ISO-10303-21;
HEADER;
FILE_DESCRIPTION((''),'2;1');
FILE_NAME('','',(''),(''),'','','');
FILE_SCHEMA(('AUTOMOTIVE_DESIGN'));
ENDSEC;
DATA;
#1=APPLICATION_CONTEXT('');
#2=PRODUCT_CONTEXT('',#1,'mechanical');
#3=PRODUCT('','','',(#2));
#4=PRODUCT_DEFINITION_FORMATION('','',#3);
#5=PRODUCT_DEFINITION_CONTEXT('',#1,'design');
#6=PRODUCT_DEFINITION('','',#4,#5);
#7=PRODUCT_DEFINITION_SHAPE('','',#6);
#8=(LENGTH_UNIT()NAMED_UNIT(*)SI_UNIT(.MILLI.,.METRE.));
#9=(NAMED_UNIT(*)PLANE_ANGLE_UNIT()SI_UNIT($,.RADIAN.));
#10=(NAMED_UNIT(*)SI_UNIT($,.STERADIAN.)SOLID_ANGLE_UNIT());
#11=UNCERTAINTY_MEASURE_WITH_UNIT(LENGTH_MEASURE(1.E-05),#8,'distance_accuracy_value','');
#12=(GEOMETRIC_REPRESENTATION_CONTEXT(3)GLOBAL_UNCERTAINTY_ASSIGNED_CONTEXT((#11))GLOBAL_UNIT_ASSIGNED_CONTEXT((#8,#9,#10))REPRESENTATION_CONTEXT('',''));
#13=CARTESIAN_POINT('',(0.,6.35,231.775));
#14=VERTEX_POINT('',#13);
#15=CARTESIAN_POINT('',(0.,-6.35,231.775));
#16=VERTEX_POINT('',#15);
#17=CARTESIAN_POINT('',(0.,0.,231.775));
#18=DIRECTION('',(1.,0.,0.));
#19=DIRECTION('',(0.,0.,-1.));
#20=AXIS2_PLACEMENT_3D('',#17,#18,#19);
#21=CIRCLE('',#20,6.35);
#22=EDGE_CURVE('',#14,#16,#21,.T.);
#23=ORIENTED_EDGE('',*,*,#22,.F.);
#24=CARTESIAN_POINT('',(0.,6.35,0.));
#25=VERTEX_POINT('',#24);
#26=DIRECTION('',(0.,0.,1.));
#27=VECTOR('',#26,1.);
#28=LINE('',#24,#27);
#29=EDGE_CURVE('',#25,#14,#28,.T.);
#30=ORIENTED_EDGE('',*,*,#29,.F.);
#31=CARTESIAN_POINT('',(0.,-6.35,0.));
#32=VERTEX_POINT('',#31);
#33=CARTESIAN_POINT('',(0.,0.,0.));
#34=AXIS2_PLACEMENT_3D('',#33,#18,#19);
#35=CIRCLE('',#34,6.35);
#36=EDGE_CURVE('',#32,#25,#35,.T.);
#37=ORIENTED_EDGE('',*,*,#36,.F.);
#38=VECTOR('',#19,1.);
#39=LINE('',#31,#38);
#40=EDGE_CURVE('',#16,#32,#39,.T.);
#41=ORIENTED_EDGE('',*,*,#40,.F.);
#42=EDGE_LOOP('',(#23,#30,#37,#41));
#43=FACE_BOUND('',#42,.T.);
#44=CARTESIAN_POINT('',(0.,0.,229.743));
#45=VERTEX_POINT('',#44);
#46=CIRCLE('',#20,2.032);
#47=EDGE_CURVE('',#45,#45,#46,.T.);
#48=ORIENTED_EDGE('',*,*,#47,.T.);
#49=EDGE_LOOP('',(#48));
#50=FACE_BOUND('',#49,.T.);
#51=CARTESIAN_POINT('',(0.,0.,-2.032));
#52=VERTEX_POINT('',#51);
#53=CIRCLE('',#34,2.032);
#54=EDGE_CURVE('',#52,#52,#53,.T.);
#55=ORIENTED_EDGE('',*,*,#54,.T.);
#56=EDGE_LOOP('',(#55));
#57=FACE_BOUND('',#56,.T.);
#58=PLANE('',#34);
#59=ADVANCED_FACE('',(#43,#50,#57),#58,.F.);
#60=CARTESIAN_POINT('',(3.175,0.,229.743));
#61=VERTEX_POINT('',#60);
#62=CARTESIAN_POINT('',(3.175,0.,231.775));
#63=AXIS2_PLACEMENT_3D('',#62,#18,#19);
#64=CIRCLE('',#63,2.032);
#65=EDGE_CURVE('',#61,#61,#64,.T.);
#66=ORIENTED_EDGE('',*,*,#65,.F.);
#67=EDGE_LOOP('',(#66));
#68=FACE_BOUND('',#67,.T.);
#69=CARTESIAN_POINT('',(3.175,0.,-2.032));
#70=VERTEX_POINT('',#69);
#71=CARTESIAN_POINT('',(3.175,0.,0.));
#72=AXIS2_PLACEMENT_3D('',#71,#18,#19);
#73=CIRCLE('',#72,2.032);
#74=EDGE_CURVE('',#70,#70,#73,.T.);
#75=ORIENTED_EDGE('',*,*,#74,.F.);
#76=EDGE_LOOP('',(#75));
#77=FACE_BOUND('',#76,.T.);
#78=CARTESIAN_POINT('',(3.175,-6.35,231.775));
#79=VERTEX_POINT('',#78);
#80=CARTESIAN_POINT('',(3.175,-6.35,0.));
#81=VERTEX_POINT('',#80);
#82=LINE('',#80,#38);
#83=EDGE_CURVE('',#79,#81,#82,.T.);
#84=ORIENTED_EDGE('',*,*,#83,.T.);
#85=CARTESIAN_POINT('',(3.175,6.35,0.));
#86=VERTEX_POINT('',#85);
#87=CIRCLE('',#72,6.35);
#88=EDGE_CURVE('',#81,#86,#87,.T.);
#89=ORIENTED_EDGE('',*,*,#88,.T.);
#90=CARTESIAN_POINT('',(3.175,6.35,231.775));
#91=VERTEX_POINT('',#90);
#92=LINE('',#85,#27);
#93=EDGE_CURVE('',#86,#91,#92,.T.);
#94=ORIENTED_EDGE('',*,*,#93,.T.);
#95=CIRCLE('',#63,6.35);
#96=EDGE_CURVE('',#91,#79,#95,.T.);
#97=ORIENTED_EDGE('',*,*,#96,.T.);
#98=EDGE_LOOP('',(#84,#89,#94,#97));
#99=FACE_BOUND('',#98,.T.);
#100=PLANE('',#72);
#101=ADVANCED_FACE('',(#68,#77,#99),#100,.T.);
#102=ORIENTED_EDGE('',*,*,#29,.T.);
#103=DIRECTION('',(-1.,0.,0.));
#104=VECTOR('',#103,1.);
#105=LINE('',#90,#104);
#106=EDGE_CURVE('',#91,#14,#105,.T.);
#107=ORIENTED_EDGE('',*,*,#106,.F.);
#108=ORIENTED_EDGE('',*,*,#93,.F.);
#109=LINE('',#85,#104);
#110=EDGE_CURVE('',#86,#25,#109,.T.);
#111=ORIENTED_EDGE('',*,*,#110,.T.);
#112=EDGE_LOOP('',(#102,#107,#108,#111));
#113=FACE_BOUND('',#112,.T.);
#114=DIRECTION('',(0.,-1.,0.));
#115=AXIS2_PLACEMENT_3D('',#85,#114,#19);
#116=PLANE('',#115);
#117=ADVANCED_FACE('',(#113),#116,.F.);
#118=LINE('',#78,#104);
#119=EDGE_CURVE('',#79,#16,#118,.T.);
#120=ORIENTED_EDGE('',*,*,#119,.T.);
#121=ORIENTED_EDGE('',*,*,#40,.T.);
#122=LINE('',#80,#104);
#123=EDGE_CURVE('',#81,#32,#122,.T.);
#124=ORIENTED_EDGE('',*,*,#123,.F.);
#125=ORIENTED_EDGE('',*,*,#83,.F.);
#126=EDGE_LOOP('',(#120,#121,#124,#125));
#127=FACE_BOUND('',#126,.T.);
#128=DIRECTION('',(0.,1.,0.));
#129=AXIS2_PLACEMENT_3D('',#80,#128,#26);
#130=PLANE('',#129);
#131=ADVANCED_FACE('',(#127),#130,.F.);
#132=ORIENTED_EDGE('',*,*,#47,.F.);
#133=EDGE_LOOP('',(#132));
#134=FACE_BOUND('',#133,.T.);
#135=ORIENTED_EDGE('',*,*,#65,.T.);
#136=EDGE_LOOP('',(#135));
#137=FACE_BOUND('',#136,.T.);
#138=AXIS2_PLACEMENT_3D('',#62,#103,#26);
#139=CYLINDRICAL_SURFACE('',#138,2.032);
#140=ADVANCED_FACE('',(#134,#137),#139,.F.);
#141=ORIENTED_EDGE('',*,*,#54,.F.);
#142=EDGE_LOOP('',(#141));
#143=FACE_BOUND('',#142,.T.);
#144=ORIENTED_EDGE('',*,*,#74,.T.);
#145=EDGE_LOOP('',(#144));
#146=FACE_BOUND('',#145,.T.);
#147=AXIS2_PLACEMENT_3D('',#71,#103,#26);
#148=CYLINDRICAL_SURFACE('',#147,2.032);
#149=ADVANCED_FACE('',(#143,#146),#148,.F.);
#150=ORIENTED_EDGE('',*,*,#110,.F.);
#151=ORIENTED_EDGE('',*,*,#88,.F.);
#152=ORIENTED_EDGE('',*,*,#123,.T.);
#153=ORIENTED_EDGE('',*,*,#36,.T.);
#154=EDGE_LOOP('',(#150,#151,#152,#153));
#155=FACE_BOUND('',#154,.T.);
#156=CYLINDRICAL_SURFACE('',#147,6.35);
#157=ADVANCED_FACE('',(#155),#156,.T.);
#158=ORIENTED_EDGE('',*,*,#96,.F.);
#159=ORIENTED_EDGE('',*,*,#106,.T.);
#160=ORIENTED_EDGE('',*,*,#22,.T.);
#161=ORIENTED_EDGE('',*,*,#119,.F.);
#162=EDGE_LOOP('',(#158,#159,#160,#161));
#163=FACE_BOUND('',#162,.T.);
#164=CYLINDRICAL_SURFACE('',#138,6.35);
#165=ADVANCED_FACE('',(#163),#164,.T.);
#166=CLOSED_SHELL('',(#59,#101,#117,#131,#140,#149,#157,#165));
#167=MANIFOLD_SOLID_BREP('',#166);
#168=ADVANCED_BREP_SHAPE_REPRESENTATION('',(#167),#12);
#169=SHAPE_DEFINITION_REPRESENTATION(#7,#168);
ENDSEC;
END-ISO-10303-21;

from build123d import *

# Parameters (mm, degrees)
SKETCH1_R           = 2.032
BOSS_EXTRUDE1_DEPTH = 3.175


with BuildPart() as part:
    # Sketch1 → Boss-Extrude1 (new body)
    with BuildSketch(Plane(origin=(0, 0, 0), x_dir=(0, 0, -1), z_dir=(1, 0, 0))):
        with BuildLine():
            Line((0, -6.35), (-231.775, -6.35))
            ThreePointArc((-231.775, -6.35), (-238.125, 0), (-231.775, 6.35))
            Line((-231.775, 6.35), (0, 6.35))
            ThreePointArc((0, 6.35), (6.35, 0), (0, -6.35))
        make_face()
        with Locations((-231.775, 0)):
            Circle(SKETCH1_R, mode=Mode.SUBTRACT)
        Circle(SKETCH1_R, mode=Mode.SUBTRACT)
    extrude(amount=BOSS_EXTRUDE1_DEPTH)


solid = part.part
